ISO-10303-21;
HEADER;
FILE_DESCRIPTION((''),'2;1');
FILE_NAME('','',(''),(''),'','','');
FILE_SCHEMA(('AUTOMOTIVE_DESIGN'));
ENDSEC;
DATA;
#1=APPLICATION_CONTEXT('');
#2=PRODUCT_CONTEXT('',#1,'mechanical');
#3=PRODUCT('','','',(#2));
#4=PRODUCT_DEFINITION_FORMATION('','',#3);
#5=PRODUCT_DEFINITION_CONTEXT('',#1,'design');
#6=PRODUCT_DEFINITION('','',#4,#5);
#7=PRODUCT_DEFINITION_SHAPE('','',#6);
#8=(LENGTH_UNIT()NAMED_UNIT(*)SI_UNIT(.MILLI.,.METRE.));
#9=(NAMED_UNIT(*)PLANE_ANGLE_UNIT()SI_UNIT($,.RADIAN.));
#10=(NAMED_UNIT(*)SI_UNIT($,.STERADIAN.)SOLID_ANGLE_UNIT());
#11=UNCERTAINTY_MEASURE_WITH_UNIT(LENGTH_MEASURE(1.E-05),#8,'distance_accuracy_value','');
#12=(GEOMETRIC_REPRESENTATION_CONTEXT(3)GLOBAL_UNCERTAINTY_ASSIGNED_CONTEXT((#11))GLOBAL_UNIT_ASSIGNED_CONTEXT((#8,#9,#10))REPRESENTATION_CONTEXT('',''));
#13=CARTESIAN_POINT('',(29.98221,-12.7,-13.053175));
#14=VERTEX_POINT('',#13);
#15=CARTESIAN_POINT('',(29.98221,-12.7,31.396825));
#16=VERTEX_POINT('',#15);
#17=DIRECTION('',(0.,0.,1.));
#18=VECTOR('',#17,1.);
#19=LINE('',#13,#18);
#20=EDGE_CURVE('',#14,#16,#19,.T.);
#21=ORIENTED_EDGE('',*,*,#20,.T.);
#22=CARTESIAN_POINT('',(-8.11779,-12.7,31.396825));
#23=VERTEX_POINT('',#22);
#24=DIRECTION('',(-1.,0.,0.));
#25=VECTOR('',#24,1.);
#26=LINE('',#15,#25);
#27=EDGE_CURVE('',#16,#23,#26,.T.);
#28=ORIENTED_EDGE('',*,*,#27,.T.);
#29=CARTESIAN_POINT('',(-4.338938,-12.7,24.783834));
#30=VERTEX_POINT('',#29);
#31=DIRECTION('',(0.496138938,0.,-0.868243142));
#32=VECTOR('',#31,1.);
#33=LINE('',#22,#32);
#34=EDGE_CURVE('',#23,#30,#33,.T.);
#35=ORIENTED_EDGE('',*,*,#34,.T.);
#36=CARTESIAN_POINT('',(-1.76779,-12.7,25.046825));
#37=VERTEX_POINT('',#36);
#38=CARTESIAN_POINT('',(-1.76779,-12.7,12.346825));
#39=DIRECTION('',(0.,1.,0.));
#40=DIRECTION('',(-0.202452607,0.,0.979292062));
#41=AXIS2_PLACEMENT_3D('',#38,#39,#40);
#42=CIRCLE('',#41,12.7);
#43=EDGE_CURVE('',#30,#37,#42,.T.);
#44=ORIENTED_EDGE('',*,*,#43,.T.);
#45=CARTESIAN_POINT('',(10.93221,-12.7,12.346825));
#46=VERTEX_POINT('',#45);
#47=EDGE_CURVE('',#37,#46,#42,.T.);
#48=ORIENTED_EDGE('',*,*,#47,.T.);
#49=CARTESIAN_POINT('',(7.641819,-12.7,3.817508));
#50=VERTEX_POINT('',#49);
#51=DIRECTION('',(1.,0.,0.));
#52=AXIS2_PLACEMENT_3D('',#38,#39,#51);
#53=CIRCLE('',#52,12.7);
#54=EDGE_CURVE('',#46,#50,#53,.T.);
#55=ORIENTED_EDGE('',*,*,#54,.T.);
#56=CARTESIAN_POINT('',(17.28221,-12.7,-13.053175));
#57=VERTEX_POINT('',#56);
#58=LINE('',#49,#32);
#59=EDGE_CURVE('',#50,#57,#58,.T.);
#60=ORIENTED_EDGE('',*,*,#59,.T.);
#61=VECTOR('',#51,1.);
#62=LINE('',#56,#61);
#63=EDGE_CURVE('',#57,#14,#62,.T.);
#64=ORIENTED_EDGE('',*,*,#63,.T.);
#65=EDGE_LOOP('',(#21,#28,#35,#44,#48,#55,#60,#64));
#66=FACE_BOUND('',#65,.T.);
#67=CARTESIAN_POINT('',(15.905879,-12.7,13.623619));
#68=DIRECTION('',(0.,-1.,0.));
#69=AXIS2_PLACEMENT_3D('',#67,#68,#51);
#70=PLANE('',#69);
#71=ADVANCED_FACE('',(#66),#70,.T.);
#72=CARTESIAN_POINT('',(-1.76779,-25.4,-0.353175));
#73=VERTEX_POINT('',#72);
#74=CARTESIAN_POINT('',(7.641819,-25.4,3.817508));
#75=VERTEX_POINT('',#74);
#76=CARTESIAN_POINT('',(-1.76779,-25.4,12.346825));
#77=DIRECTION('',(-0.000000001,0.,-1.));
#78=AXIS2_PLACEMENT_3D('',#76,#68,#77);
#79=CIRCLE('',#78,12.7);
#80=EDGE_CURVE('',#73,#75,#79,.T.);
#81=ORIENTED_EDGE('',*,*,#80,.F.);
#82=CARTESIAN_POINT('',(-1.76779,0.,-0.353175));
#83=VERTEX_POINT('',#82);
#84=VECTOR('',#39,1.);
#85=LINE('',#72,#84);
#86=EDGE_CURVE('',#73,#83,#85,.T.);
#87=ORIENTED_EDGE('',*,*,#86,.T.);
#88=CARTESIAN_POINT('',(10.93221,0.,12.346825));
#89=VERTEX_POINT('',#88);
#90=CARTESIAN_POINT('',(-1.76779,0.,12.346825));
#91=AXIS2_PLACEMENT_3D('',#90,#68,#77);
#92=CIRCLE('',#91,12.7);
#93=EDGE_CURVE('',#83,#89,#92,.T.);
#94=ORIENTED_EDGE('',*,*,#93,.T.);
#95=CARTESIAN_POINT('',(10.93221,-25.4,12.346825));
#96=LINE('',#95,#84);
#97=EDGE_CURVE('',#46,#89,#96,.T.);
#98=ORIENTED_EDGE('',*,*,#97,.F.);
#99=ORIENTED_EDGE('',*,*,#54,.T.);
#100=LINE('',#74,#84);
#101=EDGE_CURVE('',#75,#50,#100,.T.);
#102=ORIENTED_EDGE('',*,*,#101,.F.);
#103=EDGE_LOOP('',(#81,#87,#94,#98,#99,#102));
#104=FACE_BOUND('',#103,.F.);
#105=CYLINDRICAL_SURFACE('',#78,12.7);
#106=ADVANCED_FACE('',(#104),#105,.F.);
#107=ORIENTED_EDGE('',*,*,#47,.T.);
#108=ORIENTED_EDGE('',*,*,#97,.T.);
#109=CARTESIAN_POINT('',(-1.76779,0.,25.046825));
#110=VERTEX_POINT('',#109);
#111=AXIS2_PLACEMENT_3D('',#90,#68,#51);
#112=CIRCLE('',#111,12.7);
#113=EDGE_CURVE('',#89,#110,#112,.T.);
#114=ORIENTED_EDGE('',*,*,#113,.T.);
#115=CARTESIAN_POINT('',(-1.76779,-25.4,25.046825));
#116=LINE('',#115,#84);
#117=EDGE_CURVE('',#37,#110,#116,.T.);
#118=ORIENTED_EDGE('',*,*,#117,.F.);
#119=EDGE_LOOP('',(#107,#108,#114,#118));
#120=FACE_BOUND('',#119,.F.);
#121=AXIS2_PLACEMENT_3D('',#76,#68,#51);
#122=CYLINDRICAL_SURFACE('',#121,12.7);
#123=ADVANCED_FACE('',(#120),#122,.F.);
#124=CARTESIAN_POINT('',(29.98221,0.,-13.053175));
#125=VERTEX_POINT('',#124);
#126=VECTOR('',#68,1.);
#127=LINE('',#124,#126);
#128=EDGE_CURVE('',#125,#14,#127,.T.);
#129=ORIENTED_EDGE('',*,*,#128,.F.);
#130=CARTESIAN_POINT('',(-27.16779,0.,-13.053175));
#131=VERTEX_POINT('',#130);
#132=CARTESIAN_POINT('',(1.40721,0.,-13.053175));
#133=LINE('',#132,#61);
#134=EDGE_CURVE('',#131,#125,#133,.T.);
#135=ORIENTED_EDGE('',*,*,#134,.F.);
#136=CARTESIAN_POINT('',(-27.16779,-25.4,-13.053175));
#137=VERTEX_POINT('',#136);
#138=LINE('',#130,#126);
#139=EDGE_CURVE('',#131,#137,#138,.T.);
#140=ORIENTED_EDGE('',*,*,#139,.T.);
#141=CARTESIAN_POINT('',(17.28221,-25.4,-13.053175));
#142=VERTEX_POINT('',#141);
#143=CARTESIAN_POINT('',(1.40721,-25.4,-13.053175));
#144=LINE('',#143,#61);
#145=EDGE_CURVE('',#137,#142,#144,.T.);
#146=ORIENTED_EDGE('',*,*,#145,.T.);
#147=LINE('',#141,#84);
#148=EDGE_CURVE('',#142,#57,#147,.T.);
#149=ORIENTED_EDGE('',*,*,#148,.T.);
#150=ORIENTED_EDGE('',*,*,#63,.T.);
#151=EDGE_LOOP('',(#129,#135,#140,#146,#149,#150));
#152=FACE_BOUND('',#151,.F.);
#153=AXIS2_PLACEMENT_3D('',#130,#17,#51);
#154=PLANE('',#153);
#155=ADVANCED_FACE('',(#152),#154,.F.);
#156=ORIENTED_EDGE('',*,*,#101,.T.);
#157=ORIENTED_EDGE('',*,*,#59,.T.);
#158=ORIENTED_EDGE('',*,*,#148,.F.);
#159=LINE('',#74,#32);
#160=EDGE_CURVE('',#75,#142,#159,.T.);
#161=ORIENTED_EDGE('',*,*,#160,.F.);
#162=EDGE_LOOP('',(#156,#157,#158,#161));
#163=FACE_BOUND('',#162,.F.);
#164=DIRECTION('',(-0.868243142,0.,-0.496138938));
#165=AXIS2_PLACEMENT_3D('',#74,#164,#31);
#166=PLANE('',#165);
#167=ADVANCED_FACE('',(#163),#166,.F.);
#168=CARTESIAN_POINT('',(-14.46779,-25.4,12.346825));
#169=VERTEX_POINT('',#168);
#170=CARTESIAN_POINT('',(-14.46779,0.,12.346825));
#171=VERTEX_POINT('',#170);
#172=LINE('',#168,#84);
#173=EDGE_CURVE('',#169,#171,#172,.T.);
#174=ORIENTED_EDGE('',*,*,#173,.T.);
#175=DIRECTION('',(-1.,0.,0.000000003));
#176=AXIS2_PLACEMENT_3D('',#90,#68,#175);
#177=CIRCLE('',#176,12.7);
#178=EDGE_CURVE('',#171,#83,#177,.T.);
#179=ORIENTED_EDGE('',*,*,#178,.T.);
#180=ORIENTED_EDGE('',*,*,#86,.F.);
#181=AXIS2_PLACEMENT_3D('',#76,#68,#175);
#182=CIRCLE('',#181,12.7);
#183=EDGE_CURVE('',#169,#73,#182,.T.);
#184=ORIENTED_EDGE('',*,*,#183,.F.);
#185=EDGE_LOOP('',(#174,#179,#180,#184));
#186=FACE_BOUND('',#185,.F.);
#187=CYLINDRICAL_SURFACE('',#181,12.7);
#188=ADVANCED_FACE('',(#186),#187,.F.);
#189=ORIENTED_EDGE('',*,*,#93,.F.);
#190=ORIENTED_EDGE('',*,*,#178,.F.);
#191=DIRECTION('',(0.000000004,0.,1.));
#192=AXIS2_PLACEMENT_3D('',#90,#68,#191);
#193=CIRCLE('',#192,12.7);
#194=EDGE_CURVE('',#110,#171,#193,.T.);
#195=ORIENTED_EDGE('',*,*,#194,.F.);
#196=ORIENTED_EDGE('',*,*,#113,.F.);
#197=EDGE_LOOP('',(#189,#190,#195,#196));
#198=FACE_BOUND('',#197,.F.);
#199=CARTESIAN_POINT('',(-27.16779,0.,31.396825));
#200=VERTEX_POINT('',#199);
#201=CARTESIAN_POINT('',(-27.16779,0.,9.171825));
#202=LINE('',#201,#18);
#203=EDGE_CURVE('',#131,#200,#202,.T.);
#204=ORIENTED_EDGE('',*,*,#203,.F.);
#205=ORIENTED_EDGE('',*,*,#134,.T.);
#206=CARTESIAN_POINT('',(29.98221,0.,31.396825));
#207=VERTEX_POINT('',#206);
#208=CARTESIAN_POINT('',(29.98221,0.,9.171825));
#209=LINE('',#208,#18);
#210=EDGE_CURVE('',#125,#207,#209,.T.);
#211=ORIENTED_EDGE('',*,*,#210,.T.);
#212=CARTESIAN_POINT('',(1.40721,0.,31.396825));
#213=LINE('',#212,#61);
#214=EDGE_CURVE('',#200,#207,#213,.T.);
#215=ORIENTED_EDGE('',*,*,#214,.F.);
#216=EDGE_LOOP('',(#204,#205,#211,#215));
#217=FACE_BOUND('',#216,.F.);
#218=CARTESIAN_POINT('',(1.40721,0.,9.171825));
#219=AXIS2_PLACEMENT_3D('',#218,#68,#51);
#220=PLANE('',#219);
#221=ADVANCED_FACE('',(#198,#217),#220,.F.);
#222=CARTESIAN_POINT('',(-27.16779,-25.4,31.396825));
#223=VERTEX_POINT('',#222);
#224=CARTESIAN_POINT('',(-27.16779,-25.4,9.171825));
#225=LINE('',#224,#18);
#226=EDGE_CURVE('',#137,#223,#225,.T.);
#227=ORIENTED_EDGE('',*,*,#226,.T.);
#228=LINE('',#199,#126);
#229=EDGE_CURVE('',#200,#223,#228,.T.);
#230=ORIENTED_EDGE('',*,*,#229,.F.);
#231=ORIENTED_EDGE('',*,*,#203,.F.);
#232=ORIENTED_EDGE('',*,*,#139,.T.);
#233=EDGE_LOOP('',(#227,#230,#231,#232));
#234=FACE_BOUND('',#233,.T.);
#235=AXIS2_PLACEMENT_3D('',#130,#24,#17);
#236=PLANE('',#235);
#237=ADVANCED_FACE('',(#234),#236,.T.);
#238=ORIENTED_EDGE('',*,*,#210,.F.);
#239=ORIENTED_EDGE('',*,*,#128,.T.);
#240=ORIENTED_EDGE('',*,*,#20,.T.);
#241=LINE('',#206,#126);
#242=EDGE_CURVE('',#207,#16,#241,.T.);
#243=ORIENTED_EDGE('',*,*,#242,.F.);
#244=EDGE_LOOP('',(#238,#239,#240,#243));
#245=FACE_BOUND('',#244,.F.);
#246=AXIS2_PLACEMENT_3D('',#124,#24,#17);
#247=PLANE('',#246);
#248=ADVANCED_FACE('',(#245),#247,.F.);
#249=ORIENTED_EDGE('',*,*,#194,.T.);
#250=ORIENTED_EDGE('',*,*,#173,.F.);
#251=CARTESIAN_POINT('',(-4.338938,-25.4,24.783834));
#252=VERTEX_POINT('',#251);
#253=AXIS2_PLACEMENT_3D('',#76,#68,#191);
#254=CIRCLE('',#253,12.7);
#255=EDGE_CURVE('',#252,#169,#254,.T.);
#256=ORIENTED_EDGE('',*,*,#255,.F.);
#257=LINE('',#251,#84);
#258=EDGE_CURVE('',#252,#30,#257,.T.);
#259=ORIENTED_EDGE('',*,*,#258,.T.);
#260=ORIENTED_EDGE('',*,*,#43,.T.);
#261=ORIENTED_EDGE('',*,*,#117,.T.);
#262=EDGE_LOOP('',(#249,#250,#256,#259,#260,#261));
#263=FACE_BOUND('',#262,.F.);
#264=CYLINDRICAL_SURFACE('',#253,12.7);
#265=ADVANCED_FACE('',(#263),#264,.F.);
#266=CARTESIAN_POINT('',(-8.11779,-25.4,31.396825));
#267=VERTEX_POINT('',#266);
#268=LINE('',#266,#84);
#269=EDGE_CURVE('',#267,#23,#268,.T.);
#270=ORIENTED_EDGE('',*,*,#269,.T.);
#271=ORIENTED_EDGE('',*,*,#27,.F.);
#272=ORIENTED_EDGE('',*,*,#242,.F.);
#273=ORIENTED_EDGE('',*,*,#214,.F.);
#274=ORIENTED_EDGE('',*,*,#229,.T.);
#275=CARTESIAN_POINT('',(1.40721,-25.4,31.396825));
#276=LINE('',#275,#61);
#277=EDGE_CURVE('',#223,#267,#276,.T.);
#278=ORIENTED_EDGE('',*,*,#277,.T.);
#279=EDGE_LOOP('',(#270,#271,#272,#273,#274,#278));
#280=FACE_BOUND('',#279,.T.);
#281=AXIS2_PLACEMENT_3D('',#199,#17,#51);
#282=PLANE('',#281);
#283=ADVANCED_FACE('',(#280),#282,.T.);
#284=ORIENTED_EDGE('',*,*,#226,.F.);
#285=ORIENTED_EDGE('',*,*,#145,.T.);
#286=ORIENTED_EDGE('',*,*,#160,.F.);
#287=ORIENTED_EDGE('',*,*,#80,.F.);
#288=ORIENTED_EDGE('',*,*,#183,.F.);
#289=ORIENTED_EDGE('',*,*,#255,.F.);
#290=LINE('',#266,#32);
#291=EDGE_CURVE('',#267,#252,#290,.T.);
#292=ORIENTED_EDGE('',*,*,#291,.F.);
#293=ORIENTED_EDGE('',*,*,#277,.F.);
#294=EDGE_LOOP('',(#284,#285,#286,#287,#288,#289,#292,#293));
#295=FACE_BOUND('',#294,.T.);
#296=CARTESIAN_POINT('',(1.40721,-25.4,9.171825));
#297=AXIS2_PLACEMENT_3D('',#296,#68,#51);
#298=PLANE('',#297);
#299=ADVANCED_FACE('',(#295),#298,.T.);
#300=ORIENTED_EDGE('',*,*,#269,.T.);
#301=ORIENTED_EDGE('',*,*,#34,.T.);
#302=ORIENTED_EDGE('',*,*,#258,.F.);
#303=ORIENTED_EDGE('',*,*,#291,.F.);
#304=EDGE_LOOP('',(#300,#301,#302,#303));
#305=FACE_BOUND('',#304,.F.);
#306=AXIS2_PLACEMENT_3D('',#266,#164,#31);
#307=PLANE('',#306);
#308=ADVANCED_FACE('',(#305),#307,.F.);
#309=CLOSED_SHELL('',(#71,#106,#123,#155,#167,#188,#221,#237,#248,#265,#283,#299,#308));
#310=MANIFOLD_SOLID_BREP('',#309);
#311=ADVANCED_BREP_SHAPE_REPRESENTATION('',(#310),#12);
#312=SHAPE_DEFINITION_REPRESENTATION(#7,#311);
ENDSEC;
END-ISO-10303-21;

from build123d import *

# Parameters (mm, degrees)
F0_W     = 57.15
F0_H     = 44.45
F1_DEPTH = 25.4
F3_DEPTH = 25.401
F5_DEPTH = 12.7


with BuildPart() as f1:
    # F0 (on Front) → F1 (new body)
    with BuildSketch(Plane.XZ):
        with Locations((1.4072097838, 9.1718252664)):
            Rectangle(F0_W, F0_H)
    extrude(amount=F1_DEPTH)

    # F2 (on face) → F3 (cut, through all)
    with BuildSketch(Plane.XZ.offset(25.4)):
        with BuildLine():
            ThreePointArc((-1.7677901676, 25.0468252664), (-10.7480463069, 21.3270814178), (-14.4677902162, 12.3468253036))
            ThreePointArc((-14.4677902162, 12.3468253036), (-10.7480463548, 3.3665691629), (-1.7677902287, -0.3531747336))
            ThreePointArc((-1.7677902287, -0.3531747336), (7.2124659004, 3.3665691409), (10.9322097838, 12.3468252664))
            ThreePointArc((10.9322097838, 12.3468252664), (7.2124659221, 21.3270813703), (-1.7677901676, 25.0468252664))
        make_face()
    extrude(amount=-F3_DEPTH, mode=Mode.SUBTRACT)

    # F4 (on face) → F5 (cut)
    with BuildSketch(Plane.XZ.offset(25.4)):
        with BuildLine():
            Line((29.9822097838, 31.3968252664), (-8.1177902162, 31.3968252664))
            Line((-8.1177902162, 31.3968252664), (-4.3389383209, 24.7838344496))
            ThreePointArc((-4.3389383209, 24.7838344496), (6.25207322, 22.1942508419), (10.9322097838, 12.3468252664))
            ThreePointArc((10.9322097838, 12.3468252664), (10.0810924836, 7.7758320739), (7.641819427, 3.8175083909))
            Line((7.641819427, 3.8175083909), (17.2822097838, -13.0531747336))
            Line((17.2822097838, -13.0531747336), (29.9822097838, -13.0531747336))
            Line((29.9822097838, -13.0531747336), (29.9822097838, 31.3968252664))
        make_face()
    extrude(amount=-F5_DEPTH, mode=Mode.SUBTRACT)


solid = f1.part
